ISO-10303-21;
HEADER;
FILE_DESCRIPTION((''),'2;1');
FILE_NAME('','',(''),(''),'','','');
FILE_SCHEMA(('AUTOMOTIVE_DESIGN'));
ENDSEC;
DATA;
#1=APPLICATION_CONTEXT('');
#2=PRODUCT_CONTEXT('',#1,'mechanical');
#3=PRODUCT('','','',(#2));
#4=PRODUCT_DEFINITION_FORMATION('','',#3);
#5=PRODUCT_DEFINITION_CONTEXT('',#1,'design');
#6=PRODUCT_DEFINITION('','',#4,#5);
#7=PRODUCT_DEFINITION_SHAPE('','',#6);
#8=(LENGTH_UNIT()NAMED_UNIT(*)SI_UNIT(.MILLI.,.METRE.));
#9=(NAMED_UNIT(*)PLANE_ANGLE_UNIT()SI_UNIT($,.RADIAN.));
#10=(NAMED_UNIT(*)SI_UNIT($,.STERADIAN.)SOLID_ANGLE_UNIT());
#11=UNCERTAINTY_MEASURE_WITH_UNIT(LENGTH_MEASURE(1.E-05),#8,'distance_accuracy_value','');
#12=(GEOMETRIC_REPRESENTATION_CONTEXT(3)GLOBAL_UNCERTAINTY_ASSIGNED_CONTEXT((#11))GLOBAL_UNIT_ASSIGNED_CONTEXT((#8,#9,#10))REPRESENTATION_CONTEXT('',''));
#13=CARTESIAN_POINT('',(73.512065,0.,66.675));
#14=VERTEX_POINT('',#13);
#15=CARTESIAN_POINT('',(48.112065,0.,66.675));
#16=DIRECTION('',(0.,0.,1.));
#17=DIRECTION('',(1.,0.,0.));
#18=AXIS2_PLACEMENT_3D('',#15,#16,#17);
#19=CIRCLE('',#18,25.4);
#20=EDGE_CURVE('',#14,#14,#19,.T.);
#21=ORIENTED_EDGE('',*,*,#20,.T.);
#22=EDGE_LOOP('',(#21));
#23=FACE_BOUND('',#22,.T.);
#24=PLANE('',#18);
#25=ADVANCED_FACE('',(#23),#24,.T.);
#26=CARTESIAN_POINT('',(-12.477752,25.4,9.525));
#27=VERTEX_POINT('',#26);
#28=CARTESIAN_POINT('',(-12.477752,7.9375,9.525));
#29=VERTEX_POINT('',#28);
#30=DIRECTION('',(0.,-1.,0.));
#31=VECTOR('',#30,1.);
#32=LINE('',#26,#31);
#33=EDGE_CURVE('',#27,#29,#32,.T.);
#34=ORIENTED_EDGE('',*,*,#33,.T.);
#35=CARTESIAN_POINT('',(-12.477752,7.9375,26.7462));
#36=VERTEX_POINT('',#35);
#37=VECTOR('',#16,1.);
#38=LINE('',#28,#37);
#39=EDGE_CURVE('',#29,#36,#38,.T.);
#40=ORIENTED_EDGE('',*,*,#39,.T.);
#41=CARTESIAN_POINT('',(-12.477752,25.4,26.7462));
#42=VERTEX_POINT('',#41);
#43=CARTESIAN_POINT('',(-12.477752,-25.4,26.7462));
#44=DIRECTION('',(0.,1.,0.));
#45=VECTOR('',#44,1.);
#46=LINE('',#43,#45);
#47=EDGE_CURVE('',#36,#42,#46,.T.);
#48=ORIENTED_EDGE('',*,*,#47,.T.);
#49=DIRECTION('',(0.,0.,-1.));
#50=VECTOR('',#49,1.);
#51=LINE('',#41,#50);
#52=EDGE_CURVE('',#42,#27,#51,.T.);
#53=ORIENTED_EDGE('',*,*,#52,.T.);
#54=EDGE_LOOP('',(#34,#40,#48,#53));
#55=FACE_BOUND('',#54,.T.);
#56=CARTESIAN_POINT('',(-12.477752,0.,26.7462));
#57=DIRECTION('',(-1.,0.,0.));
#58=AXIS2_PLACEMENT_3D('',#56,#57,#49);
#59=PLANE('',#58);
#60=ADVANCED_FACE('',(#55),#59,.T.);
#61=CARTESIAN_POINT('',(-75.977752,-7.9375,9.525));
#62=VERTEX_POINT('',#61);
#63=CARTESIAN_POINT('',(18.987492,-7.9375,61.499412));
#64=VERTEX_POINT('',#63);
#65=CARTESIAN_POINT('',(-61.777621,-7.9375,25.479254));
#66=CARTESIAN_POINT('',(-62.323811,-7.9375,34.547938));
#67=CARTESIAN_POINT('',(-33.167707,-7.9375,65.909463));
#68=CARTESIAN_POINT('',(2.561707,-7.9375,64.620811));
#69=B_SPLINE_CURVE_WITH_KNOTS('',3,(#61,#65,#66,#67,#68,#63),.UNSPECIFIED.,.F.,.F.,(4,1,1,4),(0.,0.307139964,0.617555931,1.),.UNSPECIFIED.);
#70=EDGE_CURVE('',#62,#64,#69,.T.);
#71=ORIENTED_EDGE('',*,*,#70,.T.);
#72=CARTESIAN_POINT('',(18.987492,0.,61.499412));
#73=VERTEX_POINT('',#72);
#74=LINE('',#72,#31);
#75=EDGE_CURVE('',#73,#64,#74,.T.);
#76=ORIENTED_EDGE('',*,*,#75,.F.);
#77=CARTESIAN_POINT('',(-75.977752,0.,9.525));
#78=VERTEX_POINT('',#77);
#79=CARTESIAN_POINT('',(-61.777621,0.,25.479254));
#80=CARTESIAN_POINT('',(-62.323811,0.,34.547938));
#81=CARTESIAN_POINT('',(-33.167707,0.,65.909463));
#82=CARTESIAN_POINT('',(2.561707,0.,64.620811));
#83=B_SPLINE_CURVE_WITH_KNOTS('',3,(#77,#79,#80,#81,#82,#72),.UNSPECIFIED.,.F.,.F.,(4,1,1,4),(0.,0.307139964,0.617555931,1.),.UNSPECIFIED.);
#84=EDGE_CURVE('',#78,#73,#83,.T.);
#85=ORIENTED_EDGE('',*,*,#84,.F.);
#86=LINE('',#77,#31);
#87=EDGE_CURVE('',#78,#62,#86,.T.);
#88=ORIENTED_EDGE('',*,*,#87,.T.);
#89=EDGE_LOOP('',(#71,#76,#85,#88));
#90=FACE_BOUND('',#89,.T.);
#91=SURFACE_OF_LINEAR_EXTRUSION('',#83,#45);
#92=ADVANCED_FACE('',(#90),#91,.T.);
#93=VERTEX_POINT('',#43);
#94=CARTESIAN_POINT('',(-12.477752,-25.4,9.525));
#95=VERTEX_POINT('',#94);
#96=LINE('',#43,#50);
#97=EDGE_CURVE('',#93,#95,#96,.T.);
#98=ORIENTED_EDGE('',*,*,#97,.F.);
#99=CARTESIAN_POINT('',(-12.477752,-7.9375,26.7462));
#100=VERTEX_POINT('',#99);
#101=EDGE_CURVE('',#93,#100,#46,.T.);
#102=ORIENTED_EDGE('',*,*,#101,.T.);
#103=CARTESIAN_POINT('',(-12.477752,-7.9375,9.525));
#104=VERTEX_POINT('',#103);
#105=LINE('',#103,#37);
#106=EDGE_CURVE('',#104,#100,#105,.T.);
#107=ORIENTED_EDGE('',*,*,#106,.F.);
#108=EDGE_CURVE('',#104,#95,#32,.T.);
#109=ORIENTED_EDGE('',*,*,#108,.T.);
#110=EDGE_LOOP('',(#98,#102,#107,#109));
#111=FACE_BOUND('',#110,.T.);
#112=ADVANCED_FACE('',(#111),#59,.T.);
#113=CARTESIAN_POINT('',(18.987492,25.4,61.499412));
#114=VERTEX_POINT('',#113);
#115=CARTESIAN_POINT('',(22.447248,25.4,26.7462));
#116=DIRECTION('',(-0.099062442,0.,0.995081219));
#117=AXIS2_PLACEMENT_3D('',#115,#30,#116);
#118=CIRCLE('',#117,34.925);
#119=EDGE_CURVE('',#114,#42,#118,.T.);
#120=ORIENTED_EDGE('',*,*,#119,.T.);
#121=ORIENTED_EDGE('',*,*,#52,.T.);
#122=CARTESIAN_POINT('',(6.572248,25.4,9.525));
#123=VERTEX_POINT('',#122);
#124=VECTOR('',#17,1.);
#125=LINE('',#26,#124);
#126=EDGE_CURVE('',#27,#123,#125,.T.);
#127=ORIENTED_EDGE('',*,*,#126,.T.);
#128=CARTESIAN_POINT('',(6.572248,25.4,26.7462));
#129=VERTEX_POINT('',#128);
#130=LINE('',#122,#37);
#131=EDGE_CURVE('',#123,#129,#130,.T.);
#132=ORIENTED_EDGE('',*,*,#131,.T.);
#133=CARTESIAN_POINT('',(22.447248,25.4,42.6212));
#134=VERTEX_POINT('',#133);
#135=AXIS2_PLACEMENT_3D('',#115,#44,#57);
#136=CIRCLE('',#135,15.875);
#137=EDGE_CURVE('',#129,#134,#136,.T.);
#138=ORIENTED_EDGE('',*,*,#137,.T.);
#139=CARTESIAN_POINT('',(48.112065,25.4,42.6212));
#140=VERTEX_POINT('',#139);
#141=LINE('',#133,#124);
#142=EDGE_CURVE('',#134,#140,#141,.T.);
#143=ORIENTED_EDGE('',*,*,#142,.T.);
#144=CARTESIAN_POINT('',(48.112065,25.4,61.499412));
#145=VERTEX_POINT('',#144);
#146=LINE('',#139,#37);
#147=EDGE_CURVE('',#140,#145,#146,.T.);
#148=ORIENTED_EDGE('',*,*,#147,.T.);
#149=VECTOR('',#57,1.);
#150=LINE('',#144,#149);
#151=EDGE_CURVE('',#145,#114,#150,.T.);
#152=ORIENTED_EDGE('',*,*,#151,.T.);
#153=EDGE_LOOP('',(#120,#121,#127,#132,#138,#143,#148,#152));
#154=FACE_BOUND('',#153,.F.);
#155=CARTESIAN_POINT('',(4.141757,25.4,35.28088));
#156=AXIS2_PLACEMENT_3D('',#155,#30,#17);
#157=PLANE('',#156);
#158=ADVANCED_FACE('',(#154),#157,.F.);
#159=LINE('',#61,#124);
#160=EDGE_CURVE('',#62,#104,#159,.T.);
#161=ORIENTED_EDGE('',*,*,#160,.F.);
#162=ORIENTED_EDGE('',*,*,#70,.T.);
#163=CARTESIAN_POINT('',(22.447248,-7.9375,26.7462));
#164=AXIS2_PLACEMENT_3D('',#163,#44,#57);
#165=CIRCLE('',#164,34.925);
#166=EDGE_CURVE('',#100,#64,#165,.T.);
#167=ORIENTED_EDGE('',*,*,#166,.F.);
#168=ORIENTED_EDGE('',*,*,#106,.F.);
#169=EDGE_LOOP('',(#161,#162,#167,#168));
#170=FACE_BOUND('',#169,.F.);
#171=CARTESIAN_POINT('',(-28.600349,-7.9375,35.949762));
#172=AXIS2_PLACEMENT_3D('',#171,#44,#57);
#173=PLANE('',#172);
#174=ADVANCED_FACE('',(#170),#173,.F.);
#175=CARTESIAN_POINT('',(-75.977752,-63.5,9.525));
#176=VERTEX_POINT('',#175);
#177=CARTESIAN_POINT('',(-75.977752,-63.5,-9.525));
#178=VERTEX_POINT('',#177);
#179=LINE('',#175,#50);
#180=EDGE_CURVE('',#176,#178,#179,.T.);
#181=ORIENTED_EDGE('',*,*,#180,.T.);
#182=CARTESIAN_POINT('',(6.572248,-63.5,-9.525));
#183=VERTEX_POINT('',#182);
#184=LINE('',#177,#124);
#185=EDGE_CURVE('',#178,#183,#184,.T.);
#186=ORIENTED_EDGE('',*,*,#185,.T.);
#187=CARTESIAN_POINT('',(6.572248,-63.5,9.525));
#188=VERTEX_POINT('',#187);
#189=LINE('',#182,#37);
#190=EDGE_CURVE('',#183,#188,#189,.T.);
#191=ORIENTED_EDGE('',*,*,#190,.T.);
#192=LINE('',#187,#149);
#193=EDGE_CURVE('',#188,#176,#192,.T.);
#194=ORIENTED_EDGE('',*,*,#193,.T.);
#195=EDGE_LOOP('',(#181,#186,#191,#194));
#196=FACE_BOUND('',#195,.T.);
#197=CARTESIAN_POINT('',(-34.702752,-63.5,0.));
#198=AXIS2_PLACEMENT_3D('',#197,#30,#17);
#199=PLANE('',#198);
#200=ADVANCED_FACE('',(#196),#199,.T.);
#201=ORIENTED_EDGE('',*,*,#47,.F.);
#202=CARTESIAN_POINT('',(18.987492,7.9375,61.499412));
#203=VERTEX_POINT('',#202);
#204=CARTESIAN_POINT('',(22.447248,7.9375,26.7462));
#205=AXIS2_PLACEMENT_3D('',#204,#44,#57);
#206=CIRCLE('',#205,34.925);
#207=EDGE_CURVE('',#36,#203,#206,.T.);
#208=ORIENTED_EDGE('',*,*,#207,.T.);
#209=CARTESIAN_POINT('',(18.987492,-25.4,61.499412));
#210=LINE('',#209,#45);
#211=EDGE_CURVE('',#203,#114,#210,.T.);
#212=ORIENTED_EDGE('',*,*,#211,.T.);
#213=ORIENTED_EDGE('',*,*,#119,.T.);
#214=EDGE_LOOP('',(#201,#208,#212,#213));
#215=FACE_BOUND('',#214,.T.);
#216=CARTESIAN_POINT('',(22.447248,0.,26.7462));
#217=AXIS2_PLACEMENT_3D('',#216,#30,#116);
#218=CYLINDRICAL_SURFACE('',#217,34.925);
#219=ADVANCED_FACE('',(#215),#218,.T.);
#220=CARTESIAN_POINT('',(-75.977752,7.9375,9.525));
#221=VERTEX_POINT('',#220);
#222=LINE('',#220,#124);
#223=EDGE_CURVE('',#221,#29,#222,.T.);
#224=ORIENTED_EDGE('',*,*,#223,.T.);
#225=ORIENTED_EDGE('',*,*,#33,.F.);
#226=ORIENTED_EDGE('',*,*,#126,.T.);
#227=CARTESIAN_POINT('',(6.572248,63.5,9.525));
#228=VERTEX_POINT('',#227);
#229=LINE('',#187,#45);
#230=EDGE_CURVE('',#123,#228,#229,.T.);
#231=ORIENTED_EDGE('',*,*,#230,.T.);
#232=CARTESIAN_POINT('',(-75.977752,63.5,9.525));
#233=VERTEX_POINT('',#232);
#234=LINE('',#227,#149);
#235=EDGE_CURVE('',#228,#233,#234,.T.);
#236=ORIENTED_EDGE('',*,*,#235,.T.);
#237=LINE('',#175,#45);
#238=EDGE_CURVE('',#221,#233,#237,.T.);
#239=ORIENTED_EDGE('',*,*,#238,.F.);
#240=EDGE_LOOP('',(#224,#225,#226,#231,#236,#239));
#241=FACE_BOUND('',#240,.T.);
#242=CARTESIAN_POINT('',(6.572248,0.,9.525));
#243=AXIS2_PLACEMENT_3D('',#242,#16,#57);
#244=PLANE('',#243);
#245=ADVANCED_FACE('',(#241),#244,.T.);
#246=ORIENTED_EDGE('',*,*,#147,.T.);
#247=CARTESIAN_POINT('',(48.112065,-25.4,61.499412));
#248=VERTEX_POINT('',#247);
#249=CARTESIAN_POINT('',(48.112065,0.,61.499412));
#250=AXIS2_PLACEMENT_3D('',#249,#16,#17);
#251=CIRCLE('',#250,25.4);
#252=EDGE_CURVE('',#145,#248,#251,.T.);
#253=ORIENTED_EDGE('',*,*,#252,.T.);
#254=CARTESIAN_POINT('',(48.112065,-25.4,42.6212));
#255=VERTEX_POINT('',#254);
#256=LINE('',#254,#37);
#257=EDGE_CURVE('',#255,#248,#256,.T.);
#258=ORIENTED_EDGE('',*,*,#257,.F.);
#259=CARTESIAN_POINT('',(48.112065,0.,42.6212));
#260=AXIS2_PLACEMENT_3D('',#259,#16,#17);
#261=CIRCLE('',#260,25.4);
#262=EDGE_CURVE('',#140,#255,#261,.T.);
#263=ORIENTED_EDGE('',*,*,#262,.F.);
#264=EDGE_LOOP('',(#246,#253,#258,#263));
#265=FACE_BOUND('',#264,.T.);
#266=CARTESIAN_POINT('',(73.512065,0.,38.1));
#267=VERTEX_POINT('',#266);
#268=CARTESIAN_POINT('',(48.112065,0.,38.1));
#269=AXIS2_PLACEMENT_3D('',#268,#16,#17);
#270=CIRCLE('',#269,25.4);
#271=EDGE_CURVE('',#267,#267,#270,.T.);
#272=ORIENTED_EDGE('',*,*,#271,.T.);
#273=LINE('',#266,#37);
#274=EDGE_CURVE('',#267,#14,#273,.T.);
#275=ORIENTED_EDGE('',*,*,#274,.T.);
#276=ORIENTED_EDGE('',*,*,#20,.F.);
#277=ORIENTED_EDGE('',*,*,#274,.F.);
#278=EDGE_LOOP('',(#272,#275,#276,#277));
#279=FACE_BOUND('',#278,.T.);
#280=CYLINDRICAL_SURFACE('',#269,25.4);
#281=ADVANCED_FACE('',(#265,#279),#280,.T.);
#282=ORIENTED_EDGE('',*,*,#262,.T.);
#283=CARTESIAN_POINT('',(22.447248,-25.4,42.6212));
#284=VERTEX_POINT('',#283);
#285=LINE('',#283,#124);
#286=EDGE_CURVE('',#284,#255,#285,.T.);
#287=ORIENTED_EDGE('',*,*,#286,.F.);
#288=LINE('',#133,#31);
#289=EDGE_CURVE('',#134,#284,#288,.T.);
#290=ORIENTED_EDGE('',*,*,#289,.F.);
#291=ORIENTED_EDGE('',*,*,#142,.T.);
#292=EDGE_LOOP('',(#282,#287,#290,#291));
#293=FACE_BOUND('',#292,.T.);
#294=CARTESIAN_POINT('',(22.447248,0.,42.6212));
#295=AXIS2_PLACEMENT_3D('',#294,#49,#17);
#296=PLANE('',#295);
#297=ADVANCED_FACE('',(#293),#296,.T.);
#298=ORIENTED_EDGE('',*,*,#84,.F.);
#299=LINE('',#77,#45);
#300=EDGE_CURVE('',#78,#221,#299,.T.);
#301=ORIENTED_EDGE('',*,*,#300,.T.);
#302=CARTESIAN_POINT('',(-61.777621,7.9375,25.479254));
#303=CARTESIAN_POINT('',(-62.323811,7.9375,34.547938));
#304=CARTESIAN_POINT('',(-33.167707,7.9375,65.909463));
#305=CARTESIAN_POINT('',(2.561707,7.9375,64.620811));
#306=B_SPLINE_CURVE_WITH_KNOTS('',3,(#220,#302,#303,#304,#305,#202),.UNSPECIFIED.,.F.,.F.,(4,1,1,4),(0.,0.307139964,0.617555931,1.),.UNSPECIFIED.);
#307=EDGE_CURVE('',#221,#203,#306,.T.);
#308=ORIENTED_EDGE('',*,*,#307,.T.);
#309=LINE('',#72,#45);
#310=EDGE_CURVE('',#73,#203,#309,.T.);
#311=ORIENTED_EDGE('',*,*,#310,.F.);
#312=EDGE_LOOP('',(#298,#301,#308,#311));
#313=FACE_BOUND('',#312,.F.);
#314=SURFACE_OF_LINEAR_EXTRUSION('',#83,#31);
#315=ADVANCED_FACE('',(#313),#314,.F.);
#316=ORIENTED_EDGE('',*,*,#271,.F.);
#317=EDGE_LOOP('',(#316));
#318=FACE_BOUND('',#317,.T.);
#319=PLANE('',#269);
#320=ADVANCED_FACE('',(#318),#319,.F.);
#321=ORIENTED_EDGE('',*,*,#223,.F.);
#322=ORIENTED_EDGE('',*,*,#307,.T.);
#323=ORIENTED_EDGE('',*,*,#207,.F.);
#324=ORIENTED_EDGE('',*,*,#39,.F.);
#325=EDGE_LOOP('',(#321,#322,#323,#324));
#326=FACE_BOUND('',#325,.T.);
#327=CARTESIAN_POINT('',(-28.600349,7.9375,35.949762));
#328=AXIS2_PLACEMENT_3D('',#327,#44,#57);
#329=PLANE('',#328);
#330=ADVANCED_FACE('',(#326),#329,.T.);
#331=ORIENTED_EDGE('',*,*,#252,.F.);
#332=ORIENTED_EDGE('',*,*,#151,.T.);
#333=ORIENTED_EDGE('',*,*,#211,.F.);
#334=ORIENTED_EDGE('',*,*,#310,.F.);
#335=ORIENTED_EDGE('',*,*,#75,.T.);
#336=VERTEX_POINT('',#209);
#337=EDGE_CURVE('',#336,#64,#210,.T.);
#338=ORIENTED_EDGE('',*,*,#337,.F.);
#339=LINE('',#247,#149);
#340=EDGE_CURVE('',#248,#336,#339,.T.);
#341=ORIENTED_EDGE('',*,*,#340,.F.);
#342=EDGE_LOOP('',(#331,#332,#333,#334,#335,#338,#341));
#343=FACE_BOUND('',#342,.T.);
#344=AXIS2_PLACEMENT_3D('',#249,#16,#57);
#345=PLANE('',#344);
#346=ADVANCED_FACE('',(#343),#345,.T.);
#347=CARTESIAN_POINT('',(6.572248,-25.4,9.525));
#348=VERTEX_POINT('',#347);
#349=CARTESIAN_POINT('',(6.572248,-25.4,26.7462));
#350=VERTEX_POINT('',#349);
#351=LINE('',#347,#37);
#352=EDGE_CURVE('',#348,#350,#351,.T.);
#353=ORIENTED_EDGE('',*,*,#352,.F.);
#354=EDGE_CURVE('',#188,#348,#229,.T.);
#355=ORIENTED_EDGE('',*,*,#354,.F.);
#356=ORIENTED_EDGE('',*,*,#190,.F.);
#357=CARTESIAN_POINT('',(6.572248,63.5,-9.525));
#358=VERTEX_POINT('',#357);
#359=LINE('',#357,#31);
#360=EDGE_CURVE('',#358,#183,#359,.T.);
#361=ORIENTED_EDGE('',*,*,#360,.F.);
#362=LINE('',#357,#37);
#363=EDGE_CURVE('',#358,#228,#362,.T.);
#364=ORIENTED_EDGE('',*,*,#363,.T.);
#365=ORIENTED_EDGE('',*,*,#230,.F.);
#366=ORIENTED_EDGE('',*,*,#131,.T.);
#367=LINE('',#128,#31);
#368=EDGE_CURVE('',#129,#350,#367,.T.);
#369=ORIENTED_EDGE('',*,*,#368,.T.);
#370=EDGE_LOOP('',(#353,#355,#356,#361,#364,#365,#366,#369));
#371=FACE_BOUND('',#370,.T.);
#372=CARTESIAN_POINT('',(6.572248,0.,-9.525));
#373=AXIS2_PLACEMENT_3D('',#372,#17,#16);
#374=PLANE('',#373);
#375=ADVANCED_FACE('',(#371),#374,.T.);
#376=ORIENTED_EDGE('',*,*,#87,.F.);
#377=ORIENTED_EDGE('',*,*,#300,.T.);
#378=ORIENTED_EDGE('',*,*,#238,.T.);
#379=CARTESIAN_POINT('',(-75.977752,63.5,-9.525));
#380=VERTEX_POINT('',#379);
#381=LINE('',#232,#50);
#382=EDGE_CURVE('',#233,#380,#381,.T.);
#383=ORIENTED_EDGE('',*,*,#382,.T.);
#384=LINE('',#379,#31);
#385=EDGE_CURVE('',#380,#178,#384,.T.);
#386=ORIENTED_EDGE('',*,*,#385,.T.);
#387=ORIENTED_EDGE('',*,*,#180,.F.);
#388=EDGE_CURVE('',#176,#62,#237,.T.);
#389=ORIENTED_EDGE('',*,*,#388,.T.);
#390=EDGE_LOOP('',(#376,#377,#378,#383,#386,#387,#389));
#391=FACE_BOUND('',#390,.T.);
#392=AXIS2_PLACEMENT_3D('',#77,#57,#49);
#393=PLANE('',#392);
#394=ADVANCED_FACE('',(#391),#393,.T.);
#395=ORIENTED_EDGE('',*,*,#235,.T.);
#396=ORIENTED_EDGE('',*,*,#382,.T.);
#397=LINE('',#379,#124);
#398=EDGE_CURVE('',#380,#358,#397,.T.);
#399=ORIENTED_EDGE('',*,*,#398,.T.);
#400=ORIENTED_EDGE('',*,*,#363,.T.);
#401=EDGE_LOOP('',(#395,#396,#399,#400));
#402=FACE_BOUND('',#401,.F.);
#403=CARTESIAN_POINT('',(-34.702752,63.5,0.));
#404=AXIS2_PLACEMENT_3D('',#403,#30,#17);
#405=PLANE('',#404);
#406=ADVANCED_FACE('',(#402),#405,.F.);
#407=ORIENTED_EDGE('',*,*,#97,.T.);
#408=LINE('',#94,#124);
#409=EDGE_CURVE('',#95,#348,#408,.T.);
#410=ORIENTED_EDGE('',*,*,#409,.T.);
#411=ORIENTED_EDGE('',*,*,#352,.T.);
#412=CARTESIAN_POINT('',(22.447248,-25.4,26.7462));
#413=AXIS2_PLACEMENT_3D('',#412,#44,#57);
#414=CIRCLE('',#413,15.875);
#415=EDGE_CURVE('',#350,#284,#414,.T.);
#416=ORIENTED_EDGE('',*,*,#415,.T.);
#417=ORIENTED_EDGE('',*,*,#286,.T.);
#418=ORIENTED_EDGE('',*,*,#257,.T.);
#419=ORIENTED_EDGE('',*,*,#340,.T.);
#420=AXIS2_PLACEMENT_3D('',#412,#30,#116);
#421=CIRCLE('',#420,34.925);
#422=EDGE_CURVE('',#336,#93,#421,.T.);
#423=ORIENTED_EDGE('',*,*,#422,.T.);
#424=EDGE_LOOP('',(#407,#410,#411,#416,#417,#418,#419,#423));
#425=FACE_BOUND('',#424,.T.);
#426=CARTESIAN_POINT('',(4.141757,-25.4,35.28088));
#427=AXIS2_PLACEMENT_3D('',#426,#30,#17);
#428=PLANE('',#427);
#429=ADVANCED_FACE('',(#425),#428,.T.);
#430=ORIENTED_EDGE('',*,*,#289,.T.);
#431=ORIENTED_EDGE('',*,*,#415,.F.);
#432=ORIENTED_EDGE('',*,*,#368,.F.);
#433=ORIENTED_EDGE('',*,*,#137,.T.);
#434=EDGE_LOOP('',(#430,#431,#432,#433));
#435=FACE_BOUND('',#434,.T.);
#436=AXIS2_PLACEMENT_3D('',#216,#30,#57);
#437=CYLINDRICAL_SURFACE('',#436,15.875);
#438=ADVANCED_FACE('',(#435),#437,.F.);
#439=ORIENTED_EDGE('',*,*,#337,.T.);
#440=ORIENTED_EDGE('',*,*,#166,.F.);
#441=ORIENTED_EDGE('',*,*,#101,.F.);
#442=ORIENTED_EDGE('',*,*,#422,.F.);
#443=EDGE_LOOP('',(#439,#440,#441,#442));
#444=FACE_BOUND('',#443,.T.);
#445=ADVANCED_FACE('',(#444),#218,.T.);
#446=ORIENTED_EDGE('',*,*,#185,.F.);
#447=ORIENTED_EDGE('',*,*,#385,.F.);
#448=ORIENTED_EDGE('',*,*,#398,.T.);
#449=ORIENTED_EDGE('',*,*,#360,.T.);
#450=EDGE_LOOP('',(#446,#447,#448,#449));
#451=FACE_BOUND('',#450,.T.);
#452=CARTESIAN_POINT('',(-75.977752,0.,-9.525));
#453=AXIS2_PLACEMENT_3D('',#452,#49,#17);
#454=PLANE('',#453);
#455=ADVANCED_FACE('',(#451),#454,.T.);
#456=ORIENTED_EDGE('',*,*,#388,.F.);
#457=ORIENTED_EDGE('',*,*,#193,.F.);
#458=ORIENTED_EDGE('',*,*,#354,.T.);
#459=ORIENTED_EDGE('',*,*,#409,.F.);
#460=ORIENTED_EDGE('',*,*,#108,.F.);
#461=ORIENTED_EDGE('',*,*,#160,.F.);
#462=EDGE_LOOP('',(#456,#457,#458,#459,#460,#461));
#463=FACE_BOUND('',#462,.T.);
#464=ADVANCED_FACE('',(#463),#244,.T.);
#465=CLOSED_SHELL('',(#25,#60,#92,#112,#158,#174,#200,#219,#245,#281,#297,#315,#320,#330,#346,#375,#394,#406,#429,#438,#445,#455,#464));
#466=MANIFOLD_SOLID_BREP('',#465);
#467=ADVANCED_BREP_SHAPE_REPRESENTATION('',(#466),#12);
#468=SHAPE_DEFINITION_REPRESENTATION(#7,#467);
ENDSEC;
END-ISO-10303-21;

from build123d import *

# Parameters (mm, degrees)
F1_DEPTH = 63.5
F2_DEPTH = 25.4
F3_DEPTH = 7.9375


with BuildPart() as f1:
    # F0 (on Front) → F1 (new body, symmetric)
    with BuildSketch(Plane.XZ):
        Polygon((-12.4777524548, 9.525), (-75.9777524548, 9.525), (-75.9777524548, -9.525), (6.5722475452, -9.525), (6.5722475452, 9.525), (-5.7358437016, 9.525), (-9.173008174, 9.525), align=None)
    extrude(amount=F1_DEPTH, both=True)

    # F0 (on Front) → F2 (join, symmetric)
    with BuildSketch(Plane.XZ):
        with BuildLine():
            Line((-12.4777524548, 26.7462), (-12.4777524548, 9.525))
            Line((-12.4777524548, 9.525), (-9.173008174, 9.525))
            Line((-9.173008174, 9.525), (-5.7358437016, 9.525))
            Line((-5.7358437016, 9.525), (6.5722475452, 9.525))
            Line((6.5722475452, 9.525), (6.5722475452, 26.7462))
            ThreePointArc((6.5722475452, 26.7462), (11.2219273939, 37.9715201513), (22.4472475452, 42.6212))
            Line((22.4472475452, 42.6212), (22.7120646, 42.6212))
            Line((22.7120646, 42.6212), (22.7120646, 61.4994115756))
            Line((22.7120646, 61.4994115756), (18.9874917473, 61.4994115756))
            ThreePointArc((18.9874917473, 61.4994115756), (-3.4427852497, 50.1868021015), (-12.4777524548, 26.7462))
        make_face()
        Polygon((48.1120646, 61.4994115756), (22.7120646, 61.4994115756), (22.7120646, 42.6212), (48.1120646, 42.6212), (48.1120646, 52.3875), align=None)
    extrude(amount=F2_DEPTH, both=True)

    # F0 (on Front) → F3 (join, symmetric)
    with BuildSketch(Plane.XZ):
        with BuildLine():
            add(Edge.make_bspline(
                [(-75.9777524548, 9.525), (-61.7776212541, 25.4792540105), (-62.3238106257, 34.5479376307), (-33.1677066113, 65.9094634104), (2.56170726, 64.6208110814), (18.9874917473, 61.4994115756)],
                knots=[0, 0, 0, 0, 0.3071399643, 0.6175559309, 1, 1, 1, 1], degree=3))
            Line((-75.9777524548, 9.525), (-12.4777524548, 9.525))
            Line((-12.4777524548, 9.525), (-12.4777524548, 26.7462))
            ThreePointArc((-12.4777524548, 26.7462), (-3.4427852497, 50.1868021015), (18.9874917473, 61.4994115756))
        make_face()
    extrude(amount=F3_DEPTH, both=True)

    # F0 (on Front) → F4 (revolve)
    with BuildSketch(Plane.XZ):
        Polygon((48.1120646, 66.675), (48.1120646, 61.4994115756), (48.1120646, 52.3875), (48.1120646, 42.6212), (48.1120646, 38.1), (73.5120646, 38.1), (73.5120646, 66.675), align=None)
    revolve(axis=Axis((48.1120646, 0, 59.53125), (0, 0, 1)))


solid = f1.part
